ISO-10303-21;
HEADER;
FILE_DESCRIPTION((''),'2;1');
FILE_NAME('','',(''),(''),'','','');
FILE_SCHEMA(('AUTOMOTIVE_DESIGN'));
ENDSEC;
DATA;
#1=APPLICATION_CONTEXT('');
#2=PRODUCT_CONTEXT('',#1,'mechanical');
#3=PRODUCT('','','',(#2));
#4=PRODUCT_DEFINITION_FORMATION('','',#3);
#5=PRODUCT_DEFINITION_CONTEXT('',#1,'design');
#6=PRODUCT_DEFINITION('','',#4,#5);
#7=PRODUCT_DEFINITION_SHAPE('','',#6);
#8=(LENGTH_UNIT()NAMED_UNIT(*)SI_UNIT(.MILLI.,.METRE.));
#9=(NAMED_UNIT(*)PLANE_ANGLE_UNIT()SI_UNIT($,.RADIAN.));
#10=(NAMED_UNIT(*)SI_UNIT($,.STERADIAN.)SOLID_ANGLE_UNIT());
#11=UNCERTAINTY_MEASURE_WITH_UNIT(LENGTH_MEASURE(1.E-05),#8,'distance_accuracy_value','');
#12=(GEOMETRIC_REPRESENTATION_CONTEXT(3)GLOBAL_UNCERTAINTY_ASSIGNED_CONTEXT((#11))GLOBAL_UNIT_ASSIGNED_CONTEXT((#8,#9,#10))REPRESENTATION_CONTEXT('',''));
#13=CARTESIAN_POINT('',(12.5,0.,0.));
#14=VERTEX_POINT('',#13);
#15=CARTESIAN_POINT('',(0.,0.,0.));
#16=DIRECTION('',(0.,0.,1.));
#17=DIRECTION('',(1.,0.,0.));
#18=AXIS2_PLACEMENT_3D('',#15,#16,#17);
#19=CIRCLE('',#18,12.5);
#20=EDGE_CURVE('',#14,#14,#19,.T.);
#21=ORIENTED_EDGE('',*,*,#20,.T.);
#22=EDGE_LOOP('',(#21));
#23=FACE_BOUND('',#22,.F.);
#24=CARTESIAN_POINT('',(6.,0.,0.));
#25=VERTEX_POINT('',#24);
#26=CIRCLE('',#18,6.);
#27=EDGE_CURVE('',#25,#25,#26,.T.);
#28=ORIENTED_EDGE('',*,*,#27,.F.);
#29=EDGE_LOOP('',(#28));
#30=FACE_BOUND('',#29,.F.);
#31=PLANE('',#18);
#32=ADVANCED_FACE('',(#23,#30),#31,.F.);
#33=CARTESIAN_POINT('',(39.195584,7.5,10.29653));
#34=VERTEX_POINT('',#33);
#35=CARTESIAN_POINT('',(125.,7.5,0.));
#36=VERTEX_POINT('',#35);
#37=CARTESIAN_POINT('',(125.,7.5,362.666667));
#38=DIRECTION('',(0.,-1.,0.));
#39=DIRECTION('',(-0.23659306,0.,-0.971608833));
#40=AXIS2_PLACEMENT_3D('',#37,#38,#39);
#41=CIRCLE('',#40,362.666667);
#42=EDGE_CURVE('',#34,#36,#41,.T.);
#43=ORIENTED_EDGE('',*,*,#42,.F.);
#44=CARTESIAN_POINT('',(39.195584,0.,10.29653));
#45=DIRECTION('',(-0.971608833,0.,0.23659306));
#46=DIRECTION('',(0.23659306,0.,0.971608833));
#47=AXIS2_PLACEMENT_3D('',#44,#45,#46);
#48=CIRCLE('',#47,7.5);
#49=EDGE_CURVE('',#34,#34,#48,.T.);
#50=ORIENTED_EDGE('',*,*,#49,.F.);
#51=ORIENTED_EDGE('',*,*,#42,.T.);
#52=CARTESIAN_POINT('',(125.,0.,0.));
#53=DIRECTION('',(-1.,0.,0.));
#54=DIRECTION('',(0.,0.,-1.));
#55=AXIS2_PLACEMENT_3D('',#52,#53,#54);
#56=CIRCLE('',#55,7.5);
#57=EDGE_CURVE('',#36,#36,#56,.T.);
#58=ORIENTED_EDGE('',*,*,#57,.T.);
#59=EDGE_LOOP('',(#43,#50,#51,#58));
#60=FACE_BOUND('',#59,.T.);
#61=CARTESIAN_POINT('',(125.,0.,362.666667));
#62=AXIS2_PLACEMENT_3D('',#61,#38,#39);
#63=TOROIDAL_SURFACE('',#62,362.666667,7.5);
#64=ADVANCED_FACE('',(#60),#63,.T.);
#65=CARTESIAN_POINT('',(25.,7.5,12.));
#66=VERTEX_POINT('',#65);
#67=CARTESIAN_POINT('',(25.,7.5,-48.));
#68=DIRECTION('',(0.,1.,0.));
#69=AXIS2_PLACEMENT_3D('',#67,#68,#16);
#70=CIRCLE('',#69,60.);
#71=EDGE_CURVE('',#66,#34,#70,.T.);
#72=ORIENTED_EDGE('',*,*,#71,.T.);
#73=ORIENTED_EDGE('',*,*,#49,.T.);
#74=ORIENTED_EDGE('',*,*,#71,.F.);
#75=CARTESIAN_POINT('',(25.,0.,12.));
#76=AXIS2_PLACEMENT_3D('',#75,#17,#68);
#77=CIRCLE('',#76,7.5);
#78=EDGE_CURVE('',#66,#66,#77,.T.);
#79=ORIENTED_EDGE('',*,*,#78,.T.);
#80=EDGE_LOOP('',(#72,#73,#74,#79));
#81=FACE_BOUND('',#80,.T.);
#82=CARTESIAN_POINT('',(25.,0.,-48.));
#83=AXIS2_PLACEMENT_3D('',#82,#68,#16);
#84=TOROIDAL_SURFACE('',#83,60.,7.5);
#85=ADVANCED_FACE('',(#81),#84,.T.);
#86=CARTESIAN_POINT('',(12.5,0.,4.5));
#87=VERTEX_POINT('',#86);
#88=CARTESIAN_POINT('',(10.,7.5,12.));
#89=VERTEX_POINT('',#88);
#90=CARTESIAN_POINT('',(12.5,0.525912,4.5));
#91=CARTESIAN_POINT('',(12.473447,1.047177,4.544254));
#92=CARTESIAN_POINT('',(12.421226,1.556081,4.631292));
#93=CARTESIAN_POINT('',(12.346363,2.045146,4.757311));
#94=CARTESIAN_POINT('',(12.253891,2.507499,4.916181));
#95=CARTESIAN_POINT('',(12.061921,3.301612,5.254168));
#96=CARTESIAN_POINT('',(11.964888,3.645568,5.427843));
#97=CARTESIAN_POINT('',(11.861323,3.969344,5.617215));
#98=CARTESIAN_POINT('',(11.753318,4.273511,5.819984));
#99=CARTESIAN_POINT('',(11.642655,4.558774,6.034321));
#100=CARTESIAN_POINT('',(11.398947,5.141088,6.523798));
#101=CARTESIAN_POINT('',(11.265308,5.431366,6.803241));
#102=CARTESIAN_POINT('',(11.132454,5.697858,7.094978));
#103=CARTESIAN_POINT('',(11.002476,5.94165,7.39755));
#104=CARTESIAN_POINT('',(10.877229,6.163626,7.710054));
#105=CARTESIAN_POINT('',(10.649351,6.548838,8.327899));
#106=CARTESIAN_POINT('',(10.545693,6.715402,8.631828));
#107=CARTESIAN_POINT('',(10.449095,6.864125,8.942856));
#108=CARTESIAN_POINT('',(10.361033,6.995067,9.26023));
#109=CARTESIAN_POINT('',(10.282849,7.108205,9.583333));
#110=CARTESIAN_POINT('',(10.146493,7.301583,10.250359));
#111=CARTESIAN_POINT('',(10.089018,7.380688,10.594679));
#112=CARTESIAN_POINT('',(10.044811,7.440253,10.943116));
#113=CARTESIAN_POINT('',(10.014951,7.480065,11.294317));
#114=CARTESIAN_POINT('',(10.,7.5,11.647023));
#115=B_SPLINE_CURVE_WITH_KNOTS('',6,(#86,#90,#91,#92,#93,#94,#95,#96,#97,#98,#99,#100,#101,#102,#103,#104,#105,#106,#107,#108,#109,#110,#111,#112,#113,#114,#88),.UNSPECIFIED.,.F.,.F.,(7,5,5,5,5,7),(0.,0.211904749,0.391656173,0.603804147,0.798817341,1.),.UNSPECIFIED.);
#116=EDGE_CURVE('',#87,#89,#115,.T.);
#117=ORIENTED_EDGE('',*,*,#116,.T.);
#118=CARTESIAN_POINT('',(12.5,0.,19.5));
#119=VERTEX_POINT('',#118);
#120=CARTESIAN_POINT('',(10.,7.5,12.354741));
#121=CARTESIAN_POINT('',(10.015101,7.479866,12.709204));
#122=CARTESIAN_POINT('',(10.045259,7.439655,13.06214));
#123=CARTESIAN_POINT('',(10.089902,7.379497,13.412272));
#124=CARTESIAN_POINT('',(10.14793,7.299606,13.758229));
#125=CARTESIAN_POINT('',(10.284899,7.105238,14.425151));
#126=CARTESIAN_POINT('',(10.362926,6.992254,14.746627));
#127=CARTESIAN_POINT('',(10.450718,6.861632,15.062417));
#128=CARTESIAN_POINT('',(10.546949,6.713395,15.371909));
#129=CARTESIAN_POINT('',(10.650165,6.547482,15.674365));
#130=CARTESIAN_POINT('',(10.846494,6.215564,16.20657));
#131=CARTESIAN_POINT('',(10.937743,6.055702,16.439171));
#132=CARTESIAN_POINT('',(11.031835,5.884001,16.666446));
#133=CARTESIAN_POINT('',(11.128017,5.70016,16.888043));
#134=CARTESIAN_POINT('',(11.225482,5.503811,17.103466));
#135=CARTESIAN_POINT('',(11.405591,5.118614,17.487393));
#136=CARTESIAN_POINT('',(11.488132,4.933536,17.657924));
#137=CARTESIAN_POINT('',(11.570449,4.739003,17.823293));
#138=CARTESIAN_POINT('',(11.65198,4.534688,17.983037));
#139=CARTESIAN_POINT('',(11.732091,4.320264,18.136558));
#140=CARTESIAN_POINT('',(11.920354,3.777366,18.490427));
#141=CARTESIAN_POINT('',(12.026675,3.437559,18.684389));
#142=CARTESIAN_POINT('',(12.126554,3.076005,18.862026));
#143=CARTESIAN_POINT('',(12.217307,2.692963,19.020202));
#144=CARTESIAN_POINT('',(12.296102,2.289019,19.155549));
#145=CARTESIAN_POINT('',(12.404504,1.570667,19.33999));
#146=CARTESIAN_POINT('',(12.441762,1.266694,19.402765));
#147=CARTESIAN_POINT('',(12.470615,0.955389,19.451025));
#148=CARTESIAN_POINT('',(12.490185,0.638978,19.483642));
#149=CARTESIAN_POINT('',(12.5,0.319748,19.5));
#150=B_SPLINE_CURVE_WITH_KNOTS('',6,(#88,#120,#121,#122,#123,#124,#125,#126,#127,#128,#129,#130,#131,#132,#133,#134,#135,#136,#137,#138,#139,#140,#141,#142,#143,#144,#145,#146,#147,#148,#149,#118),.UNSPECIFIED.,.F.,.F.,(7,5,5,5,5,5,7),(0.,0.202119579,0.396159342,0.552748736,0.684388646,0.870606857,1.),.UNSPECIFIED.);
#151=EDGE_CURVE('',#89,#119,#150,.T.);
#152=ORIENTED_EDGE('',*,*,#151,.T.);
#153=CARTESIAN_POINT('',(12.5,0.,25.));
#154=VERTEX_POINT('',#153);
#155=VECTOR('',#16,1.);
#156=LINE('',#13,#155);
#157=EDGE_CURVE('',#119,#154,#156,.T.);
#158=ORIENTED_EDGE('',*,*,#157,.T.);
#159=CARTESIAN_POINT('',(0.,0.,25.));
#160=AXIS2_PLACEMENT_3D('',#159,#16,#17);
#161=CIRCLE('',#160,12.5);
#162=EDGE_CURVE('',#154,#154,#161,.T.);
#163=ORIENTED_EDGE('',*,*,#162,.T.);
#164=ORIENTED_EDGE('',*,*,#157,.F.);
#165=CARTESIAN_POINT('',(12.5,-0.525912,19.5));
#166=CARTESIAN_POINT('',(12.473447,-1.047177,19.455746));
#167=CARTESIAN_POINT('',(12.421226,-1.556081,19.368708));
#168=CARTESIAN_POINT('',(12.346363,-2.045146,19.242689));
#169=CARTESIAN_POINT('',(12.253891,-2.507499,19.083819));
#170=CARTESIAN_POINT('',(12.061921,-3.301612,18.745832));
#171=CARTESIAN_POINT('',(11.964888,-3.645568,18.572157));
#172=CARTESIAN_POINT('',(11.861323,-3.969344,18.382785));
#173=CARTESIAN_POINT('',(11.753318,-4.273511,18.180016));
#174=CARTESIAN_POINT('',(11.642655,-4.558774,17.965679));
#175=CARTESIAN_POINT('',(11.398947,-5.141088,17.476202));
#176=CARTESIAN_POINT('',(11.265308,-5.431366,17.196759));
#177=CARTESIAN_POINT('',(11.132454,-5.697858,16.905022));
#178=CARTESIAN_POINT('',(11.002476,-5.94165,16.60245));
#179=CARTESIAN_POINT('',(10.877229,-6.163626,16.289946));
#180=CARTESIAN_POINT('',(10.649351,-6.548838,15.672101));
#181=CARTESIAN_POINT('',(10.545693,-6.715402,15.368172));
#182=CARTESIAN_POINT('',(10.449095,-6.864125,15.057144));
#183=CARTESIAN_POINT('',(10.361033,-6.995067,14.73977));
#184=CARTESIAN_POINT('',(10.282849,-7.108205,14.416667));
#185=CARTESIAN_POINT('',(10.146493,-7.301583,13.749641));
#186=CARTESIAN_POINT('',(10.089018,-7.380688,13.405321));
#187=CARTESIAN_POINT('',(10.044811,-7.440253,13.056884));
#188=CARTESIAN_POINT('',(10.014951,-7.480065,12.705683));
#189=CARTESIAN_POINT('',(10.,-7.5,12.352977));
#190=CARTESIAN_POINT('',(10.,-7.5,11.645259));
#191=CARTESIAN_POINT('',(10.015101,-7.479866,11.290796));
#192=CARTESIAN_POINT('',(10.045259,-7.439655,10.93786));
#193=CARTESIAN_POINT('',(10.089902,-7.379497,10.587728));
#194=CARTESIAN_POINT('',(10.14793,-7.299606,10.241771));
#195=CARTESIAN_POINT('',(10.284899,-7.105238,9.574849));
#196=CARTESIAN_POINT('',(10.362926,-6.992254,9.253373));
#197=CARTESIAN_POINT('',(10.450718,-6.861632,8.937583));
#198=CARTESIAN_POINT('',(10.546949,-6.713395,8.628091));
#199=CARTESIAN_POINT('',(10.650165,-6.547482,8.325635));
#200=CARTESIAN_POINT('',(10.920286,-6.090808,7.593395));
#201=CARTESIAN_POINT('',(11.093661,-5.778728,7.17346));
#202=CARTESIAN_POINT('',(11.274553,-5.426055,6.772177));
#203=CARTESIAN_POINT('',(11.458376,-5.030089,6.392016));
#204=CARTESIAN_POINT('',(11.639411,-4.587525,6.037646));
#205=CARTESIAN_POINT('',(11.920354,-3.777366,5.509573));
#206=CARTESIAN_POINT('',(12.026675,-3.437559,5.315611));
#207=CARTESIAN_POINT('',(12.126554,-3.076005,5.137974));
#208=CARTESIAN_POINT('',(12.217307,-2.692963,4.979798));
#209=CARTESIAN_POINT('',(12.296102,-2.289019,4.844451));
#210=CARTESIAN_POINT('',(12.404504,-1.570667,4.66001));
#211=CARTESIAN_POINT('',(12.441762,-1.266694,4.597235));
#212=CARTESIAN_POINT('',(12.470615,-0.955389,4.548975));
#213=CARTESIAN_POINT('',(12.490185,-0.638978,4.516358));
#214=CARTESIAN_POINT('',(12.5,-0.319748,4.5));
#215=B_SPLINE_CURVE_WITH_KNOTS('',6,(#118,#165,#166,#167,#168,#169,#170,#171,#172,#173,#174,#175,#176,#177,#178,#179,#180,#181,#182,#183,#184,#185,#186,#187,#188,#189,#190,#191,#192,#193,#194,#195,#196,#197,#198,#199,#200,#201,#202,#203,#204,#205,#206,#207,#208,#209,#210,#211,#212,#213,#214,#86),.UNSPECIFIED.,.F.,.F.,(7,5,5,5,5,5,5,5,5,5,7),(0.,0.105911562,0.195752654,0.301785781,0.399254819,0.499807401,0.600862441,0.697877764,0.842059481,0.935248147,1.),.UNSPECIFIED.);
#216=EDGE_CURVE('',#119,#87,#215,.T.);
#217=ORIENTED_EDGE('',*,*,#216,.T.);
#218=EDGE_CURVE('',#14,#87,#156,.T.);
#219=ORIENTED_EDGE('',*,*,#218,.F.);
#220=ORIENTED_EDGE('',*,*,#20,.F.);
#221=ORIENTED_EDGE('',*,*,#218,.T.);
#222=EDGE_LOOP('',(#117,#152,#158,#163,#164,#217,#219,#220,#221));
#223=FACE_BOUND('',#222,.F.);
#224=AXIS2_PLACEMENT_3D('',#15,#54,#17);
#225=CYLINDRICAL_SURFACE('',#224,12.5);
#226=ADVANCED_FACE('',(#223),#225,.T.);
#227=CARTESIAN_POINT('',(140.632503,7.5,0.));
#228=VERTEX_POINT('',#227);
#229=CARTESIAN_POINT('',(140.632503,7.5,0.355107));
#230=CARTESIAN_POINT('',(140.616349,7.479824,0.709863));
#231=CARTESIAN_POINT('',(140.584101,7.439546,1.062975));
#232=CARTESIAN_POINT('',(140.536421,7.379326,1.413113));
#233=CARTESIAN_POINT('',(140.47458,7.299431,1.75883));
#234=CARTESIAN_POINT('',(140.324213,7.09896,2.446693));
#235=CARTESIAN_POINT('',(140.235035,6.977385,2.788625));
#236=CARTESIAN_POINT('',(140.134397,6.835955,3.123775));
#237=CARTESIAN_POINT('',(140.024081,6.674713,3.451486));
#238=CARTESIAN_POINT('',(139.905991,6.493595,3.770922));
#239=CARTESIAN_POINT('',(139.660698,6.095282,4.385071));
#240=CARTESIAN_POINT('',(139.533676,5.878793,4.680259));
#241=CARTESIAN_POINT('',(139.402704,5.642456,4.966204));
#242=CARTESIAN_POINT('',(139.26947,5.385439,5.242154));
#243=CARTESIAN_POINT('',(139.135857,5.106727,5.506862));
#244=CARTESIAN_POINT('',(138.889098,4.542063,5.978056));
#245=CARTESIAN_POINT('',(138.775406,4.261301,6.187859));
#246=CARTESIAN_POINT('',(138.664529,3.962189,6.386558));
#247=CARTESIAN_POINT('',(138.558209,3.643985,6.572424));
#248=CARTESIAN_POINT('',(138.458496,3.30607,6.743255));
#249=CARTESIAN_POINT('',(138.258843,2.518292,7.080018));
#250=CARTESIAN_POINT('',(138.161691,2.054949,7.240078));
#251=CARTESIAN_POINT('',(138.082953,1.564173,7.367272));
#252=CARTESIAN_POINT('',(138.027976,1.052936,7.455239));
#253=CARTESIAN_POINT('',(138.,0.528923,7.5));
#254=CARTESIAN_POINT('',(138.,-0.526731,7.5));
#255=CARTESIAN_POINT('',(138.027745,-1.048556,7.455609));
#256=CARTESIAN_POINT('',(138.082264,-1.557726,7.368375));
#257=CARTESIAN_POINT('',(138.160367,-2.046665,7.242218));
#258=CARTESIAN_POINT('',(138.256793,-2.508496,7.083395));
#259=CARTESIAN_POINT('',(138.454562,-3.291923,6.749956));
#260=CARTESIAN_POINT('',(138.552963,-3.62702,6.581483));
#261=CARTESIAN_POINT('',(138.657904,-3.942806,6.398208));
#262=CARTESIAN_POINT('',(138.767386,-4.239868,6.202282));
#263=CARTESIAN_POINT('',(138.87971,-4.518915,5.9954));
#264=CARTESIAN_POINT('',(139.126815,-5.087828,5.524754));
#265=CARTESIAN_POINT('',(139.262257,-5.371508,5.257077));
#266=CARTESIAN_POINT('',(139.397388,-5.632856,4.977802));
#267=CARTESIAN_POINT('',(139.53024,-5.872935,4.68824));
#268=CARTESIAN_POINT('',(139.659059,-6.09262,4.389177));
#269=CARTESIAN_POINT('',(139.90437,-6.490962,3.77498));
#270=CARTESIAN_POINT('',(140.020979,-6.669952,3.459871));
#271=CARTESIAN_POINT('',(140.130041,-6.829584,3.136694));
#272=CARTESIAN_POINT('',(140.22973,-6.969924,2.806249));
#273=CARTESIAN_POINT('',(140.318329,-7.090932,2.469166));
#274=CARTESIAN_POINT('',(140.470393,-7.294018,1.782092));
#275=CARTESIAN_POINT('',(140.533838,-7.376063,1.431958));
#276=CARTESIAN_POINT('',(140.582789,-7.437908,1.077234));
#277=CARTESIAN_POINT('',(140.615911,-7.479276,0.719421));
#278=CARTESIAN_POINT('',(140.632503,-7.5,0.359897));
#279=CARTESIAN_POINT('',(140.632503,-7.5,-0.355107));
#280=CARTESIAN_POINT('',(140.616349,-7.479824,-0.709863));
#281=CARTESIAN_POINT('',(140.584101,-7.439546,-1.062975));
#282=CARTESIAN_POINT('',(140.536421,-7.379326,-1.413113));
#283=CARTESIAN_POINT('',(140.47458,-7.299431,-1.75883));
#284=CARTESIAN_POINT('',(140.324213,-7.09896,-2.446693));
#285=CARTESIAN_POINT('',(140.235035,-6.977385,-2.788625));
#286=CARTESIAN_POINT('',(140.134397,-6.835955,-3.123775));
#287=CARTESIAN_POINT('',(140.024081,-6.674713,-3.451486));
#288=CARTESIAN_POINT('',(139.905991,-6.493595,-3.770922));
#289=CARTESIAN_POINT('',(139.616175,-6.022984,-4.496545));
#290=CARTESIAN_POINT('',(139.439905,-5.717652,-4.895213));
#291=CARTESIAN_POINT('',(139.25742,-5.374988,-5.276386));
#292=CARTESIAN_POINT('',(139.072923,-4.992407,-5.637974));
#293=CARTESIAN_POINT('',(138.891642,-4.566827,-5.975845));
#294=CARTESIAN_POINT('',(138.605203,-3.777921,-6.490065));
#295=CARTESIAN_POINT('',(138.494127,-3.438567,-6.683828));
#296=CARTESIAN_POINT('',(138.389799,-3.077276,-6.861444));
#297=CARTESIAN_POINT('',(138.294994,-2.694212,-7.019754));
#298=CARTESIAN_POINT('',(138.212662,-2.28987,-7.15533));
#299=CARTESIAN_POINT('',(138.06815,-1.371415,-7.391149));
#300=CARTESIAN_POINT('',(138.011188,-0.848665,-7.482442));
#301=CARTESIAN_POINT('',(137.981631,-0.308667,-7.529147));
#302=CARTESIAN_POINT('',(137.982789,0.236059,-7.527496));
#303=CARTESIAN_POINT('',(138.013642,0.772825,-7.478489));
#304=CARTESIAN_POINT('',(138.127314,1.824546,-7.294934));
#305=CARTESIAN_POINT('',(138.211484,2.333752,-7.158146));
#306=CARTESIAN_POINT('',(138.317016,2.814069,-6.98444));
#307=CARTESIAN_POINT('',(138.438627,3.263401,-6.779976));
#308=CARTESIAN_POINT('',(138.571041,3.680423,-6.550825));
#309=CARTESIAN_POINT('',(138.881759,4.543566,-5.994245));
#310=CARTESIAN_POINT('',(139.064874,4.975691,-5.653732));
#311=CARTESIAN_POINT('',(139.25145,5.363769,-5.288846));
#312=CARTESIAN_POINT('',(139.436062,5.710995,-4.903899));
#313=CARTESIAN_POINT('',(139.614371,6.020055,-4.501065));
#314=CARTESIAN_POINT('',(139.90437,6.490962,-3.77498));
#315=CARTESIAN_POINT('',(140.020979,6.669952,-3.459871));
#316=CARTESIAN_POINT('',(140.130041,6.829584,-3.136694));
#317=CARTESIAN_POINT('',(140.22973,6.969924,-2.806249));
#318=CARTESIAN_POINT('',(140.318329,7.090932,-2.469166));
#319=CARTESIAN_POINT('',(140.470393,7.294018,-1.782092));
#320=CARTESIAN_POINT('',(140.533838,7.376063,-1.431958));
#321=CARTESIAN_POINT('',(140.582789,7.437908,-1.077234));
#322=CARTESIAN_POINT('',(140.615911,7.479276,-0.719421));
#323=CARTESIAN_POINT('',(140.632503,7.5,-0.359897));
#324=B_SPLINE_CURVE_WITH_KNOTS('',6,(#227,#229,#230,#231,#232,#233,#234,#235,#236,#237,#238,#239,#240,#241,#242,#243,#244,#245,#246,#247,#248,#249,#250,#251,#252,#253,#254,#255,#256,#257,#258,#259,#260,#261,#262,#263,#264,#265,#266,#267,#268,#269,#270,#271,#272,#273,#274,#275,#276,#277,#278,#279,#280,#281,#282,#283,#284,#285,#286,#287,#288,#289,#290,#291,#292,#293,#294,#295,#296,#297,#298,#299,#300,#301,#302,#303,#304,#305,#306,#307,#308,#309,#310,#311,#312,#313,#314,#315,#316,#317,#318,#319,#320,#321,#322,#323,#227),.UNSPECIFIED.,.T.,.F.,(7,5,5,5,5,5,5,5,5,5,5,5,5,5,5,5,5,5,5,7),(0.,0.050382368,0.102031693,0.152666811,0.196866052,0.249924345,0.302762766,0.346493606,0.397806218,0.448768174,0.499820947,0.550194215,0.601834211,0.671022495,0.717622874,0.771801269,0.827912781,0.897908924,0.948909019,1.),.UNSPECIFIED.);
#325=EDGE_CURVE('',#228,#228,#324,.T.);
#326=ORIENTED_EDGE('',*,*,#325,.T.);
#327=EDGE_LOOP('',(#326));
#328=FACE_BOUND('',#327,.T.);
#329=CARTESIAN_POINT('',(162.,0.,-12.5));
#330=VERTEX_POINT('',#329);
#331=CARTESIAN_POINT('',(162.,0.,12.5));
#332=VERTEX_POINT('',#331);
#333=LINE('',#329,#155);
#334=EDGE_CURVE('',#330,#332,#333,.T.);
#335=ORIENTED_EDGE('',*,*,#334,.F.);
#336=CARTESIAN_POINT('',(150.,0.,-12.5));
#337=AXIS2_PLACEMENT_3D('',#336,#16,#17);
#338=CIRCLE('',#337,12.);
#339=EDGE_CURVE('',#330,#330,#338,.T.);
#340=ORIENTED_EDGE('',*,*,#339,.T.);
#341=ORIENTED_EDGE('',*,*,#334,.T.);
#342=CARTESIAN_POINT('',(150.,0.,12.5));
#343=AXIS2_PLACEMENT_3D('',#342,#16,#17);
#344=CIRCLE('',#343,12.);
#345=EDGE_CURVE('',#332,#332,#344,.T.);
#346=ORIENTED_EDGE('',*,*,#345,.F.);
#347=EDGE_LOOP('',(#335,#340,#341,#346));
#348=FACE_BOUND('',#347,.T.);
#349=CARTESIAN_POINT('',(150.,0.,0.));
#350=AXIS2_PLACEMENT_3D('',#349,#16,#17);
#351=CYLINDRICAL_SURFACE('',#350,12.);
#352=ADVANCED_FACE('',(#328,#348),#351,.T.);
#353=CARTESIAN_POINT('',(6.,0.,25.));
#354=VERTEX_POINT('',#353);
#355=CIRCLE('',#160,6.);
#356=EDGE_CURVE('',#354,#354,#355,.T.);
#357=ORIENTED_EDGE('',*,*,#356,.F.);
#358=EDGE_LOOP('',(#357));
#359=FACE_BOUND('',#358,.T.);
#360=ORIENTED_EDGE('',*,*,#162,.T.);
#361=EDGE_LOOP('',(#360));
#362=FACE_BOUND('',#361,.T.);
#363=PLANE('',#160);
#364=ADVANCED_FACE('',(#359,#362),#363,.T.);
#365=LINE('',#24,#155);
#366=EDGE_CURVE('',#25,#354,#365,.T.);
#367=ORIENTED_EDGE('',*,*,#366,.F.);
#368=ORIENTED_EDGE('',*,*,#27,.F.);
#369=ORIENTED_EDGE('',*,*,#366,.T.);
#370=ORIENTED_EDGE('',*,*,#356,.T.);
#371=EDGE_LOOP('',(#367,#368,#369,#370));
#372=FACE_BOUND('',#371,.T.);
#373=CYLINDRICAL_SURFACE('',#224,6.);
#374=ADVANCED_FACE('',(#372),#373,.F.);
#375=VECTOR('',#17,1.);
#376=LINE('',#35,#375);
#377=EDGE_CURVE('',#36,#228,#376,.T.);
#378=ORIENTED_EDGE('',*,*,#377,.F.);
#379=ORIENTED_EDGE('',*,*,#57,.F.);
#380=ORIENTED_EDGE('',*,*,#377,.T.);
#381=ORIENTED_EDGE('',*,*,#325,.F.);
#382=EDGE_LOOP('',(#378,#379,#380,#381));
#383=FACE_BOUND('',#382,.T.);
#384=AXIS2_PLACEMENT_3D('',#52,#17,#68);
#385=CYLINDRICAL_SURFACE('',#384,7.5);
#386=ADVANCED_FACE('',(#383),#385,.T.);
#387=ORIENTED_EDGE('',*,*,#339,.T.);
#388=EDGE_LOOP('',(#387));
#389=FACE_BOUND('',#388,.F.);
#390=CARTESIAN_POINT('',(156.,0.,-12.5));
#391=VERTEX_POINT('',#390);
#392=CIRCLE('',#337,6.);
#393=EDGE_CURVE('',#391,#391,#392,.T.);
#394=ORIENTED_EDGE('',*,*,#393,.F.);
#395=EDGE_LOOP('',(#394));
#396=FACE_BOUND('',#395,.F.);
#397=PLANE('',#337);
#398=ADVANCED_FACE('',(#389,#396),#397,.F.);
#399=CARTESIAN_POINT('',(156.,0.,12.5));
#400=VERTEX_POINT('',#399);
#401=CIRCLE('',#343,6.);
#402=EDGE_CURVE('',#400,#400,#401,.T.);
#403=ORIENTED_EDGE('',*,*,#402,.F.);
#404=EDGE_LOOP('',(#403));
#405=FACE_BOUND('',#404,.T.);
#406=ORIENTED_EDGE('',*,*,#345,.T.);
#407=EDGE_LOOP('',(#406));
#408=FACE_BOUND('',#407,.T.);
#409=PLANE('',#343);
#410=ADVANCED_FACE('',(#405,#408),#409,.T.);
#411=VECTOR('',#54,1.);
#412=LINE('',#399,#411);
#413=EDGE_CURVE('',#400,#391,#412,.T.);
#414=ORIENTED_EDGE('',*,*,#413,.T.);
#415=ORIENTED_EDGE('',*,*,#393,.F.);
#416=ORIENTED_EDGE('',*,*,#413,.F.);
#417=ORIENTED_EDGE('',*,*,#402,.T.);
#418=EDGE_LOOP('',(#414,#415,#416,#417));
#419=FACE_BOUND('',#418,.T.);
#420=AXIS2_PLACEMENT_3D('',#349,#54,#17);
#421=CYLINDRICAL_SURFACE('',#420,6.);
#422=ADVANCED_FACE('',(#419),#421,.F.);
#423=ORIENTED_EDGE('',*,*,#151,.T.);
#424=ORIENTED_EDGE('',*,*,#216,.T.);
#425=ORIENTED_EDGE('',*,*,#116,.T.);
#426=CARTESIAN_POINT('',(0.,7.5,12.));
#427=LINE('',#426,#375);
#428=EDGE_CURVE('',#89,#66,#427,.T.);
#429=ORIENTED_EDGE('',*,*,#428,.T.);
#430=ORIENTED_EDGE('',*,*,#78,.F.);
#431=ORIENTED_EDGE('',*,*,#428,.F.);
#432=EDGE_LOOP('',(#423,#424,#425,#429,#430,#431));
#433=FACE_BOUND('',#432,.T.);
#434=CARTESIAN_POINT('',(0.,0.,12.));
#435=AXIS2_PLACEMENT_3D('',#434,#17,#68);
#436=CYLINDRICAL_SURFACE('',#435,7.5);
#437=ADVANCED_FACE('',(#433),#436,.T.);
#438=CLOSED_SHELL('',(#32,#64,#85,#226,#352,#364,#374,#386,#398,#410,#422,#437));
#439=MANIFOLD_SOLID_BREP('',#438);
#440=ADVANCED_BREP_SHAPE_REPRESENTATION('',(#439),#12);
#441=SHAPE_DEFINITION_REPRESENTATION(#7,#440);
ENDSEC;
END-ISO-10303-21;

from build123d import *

# Parameters (mm, degrees)
F0_R          = 12.5
F0_R_2        = 6
F1_DEPTH      = 25
F3_R          = 12
F3_R_2        = 6
F4_DEPTH      = 12.5
F4_DEPTH_BACK = 12.5
F5_R          = 7.5
F7_R          = 6
F8_DEPTH      = 12.5010001
F8_DEPTH_BACK = 25.0010001


with BuildPart() as f1:
    # F0 (on Top) → F1 (new body)
    with BuildSketch(Plane.XY):
        Circle(F0_R)
        Circle(F0_R_2, mode=Mode.SUBTRACT)
    extrude(amount=F1_DEPTH)



with BuildPart() as f4:
    # F3 (on Top) → F4 (new body, two sides)
    with BuildSketch(Plane.XY) as f4_sk:
        with Locations((150, 0)):
            Circle(F3_R)
        with Locations((150, 0)):
            Circle(F3_R_2, mode=Mode.SUBTRACT)
    extrude(amount=F4_DEPTH)
    extrude(f4_sk.sketch, amount=-F4_DEPTH_BACK)


with BuildPart() as f1_1:
    add(f1.part)

    add(f4.part)  # F6 merges F4
    # F6: sweep along a path in F2
    with BuildLine(Plane.XZ) as f6_path:
        Line((0, 12), (25, 12))
        ThreePointArc((25, 12), (32.1487132371, 11.5726103092), (39.1955835962, 10.2965299685))
        ThreePointArc((39.1955835962, 10.2965299685), (81.789999989, 2.5833332421), (125, 0))
        Line((125, 0), (150, 0))
    # F5 (on Right) → F6 (sweep)
    with BuildSketch(Plane.YZ):
        with Locations((0, 12)):
            Circle(F5_R)
    sweep(path=f6_path.line)

    # F7 (on Top) → F8 (cut, two sides)
    with BuildSketch(Plane.XY) as f8_sk:
        Circle(F7_R)
        with Locations((150, 0)):
            Circle(F7_R)
    extrude(amount=-F8_DEPTH, mode=Mode.SUBTRACT)
    extrude(f8_sk.sketch, amount=F8_DEPTH_BACK, mode=Mode.SUBTRACT)


solid = f1_1.part
